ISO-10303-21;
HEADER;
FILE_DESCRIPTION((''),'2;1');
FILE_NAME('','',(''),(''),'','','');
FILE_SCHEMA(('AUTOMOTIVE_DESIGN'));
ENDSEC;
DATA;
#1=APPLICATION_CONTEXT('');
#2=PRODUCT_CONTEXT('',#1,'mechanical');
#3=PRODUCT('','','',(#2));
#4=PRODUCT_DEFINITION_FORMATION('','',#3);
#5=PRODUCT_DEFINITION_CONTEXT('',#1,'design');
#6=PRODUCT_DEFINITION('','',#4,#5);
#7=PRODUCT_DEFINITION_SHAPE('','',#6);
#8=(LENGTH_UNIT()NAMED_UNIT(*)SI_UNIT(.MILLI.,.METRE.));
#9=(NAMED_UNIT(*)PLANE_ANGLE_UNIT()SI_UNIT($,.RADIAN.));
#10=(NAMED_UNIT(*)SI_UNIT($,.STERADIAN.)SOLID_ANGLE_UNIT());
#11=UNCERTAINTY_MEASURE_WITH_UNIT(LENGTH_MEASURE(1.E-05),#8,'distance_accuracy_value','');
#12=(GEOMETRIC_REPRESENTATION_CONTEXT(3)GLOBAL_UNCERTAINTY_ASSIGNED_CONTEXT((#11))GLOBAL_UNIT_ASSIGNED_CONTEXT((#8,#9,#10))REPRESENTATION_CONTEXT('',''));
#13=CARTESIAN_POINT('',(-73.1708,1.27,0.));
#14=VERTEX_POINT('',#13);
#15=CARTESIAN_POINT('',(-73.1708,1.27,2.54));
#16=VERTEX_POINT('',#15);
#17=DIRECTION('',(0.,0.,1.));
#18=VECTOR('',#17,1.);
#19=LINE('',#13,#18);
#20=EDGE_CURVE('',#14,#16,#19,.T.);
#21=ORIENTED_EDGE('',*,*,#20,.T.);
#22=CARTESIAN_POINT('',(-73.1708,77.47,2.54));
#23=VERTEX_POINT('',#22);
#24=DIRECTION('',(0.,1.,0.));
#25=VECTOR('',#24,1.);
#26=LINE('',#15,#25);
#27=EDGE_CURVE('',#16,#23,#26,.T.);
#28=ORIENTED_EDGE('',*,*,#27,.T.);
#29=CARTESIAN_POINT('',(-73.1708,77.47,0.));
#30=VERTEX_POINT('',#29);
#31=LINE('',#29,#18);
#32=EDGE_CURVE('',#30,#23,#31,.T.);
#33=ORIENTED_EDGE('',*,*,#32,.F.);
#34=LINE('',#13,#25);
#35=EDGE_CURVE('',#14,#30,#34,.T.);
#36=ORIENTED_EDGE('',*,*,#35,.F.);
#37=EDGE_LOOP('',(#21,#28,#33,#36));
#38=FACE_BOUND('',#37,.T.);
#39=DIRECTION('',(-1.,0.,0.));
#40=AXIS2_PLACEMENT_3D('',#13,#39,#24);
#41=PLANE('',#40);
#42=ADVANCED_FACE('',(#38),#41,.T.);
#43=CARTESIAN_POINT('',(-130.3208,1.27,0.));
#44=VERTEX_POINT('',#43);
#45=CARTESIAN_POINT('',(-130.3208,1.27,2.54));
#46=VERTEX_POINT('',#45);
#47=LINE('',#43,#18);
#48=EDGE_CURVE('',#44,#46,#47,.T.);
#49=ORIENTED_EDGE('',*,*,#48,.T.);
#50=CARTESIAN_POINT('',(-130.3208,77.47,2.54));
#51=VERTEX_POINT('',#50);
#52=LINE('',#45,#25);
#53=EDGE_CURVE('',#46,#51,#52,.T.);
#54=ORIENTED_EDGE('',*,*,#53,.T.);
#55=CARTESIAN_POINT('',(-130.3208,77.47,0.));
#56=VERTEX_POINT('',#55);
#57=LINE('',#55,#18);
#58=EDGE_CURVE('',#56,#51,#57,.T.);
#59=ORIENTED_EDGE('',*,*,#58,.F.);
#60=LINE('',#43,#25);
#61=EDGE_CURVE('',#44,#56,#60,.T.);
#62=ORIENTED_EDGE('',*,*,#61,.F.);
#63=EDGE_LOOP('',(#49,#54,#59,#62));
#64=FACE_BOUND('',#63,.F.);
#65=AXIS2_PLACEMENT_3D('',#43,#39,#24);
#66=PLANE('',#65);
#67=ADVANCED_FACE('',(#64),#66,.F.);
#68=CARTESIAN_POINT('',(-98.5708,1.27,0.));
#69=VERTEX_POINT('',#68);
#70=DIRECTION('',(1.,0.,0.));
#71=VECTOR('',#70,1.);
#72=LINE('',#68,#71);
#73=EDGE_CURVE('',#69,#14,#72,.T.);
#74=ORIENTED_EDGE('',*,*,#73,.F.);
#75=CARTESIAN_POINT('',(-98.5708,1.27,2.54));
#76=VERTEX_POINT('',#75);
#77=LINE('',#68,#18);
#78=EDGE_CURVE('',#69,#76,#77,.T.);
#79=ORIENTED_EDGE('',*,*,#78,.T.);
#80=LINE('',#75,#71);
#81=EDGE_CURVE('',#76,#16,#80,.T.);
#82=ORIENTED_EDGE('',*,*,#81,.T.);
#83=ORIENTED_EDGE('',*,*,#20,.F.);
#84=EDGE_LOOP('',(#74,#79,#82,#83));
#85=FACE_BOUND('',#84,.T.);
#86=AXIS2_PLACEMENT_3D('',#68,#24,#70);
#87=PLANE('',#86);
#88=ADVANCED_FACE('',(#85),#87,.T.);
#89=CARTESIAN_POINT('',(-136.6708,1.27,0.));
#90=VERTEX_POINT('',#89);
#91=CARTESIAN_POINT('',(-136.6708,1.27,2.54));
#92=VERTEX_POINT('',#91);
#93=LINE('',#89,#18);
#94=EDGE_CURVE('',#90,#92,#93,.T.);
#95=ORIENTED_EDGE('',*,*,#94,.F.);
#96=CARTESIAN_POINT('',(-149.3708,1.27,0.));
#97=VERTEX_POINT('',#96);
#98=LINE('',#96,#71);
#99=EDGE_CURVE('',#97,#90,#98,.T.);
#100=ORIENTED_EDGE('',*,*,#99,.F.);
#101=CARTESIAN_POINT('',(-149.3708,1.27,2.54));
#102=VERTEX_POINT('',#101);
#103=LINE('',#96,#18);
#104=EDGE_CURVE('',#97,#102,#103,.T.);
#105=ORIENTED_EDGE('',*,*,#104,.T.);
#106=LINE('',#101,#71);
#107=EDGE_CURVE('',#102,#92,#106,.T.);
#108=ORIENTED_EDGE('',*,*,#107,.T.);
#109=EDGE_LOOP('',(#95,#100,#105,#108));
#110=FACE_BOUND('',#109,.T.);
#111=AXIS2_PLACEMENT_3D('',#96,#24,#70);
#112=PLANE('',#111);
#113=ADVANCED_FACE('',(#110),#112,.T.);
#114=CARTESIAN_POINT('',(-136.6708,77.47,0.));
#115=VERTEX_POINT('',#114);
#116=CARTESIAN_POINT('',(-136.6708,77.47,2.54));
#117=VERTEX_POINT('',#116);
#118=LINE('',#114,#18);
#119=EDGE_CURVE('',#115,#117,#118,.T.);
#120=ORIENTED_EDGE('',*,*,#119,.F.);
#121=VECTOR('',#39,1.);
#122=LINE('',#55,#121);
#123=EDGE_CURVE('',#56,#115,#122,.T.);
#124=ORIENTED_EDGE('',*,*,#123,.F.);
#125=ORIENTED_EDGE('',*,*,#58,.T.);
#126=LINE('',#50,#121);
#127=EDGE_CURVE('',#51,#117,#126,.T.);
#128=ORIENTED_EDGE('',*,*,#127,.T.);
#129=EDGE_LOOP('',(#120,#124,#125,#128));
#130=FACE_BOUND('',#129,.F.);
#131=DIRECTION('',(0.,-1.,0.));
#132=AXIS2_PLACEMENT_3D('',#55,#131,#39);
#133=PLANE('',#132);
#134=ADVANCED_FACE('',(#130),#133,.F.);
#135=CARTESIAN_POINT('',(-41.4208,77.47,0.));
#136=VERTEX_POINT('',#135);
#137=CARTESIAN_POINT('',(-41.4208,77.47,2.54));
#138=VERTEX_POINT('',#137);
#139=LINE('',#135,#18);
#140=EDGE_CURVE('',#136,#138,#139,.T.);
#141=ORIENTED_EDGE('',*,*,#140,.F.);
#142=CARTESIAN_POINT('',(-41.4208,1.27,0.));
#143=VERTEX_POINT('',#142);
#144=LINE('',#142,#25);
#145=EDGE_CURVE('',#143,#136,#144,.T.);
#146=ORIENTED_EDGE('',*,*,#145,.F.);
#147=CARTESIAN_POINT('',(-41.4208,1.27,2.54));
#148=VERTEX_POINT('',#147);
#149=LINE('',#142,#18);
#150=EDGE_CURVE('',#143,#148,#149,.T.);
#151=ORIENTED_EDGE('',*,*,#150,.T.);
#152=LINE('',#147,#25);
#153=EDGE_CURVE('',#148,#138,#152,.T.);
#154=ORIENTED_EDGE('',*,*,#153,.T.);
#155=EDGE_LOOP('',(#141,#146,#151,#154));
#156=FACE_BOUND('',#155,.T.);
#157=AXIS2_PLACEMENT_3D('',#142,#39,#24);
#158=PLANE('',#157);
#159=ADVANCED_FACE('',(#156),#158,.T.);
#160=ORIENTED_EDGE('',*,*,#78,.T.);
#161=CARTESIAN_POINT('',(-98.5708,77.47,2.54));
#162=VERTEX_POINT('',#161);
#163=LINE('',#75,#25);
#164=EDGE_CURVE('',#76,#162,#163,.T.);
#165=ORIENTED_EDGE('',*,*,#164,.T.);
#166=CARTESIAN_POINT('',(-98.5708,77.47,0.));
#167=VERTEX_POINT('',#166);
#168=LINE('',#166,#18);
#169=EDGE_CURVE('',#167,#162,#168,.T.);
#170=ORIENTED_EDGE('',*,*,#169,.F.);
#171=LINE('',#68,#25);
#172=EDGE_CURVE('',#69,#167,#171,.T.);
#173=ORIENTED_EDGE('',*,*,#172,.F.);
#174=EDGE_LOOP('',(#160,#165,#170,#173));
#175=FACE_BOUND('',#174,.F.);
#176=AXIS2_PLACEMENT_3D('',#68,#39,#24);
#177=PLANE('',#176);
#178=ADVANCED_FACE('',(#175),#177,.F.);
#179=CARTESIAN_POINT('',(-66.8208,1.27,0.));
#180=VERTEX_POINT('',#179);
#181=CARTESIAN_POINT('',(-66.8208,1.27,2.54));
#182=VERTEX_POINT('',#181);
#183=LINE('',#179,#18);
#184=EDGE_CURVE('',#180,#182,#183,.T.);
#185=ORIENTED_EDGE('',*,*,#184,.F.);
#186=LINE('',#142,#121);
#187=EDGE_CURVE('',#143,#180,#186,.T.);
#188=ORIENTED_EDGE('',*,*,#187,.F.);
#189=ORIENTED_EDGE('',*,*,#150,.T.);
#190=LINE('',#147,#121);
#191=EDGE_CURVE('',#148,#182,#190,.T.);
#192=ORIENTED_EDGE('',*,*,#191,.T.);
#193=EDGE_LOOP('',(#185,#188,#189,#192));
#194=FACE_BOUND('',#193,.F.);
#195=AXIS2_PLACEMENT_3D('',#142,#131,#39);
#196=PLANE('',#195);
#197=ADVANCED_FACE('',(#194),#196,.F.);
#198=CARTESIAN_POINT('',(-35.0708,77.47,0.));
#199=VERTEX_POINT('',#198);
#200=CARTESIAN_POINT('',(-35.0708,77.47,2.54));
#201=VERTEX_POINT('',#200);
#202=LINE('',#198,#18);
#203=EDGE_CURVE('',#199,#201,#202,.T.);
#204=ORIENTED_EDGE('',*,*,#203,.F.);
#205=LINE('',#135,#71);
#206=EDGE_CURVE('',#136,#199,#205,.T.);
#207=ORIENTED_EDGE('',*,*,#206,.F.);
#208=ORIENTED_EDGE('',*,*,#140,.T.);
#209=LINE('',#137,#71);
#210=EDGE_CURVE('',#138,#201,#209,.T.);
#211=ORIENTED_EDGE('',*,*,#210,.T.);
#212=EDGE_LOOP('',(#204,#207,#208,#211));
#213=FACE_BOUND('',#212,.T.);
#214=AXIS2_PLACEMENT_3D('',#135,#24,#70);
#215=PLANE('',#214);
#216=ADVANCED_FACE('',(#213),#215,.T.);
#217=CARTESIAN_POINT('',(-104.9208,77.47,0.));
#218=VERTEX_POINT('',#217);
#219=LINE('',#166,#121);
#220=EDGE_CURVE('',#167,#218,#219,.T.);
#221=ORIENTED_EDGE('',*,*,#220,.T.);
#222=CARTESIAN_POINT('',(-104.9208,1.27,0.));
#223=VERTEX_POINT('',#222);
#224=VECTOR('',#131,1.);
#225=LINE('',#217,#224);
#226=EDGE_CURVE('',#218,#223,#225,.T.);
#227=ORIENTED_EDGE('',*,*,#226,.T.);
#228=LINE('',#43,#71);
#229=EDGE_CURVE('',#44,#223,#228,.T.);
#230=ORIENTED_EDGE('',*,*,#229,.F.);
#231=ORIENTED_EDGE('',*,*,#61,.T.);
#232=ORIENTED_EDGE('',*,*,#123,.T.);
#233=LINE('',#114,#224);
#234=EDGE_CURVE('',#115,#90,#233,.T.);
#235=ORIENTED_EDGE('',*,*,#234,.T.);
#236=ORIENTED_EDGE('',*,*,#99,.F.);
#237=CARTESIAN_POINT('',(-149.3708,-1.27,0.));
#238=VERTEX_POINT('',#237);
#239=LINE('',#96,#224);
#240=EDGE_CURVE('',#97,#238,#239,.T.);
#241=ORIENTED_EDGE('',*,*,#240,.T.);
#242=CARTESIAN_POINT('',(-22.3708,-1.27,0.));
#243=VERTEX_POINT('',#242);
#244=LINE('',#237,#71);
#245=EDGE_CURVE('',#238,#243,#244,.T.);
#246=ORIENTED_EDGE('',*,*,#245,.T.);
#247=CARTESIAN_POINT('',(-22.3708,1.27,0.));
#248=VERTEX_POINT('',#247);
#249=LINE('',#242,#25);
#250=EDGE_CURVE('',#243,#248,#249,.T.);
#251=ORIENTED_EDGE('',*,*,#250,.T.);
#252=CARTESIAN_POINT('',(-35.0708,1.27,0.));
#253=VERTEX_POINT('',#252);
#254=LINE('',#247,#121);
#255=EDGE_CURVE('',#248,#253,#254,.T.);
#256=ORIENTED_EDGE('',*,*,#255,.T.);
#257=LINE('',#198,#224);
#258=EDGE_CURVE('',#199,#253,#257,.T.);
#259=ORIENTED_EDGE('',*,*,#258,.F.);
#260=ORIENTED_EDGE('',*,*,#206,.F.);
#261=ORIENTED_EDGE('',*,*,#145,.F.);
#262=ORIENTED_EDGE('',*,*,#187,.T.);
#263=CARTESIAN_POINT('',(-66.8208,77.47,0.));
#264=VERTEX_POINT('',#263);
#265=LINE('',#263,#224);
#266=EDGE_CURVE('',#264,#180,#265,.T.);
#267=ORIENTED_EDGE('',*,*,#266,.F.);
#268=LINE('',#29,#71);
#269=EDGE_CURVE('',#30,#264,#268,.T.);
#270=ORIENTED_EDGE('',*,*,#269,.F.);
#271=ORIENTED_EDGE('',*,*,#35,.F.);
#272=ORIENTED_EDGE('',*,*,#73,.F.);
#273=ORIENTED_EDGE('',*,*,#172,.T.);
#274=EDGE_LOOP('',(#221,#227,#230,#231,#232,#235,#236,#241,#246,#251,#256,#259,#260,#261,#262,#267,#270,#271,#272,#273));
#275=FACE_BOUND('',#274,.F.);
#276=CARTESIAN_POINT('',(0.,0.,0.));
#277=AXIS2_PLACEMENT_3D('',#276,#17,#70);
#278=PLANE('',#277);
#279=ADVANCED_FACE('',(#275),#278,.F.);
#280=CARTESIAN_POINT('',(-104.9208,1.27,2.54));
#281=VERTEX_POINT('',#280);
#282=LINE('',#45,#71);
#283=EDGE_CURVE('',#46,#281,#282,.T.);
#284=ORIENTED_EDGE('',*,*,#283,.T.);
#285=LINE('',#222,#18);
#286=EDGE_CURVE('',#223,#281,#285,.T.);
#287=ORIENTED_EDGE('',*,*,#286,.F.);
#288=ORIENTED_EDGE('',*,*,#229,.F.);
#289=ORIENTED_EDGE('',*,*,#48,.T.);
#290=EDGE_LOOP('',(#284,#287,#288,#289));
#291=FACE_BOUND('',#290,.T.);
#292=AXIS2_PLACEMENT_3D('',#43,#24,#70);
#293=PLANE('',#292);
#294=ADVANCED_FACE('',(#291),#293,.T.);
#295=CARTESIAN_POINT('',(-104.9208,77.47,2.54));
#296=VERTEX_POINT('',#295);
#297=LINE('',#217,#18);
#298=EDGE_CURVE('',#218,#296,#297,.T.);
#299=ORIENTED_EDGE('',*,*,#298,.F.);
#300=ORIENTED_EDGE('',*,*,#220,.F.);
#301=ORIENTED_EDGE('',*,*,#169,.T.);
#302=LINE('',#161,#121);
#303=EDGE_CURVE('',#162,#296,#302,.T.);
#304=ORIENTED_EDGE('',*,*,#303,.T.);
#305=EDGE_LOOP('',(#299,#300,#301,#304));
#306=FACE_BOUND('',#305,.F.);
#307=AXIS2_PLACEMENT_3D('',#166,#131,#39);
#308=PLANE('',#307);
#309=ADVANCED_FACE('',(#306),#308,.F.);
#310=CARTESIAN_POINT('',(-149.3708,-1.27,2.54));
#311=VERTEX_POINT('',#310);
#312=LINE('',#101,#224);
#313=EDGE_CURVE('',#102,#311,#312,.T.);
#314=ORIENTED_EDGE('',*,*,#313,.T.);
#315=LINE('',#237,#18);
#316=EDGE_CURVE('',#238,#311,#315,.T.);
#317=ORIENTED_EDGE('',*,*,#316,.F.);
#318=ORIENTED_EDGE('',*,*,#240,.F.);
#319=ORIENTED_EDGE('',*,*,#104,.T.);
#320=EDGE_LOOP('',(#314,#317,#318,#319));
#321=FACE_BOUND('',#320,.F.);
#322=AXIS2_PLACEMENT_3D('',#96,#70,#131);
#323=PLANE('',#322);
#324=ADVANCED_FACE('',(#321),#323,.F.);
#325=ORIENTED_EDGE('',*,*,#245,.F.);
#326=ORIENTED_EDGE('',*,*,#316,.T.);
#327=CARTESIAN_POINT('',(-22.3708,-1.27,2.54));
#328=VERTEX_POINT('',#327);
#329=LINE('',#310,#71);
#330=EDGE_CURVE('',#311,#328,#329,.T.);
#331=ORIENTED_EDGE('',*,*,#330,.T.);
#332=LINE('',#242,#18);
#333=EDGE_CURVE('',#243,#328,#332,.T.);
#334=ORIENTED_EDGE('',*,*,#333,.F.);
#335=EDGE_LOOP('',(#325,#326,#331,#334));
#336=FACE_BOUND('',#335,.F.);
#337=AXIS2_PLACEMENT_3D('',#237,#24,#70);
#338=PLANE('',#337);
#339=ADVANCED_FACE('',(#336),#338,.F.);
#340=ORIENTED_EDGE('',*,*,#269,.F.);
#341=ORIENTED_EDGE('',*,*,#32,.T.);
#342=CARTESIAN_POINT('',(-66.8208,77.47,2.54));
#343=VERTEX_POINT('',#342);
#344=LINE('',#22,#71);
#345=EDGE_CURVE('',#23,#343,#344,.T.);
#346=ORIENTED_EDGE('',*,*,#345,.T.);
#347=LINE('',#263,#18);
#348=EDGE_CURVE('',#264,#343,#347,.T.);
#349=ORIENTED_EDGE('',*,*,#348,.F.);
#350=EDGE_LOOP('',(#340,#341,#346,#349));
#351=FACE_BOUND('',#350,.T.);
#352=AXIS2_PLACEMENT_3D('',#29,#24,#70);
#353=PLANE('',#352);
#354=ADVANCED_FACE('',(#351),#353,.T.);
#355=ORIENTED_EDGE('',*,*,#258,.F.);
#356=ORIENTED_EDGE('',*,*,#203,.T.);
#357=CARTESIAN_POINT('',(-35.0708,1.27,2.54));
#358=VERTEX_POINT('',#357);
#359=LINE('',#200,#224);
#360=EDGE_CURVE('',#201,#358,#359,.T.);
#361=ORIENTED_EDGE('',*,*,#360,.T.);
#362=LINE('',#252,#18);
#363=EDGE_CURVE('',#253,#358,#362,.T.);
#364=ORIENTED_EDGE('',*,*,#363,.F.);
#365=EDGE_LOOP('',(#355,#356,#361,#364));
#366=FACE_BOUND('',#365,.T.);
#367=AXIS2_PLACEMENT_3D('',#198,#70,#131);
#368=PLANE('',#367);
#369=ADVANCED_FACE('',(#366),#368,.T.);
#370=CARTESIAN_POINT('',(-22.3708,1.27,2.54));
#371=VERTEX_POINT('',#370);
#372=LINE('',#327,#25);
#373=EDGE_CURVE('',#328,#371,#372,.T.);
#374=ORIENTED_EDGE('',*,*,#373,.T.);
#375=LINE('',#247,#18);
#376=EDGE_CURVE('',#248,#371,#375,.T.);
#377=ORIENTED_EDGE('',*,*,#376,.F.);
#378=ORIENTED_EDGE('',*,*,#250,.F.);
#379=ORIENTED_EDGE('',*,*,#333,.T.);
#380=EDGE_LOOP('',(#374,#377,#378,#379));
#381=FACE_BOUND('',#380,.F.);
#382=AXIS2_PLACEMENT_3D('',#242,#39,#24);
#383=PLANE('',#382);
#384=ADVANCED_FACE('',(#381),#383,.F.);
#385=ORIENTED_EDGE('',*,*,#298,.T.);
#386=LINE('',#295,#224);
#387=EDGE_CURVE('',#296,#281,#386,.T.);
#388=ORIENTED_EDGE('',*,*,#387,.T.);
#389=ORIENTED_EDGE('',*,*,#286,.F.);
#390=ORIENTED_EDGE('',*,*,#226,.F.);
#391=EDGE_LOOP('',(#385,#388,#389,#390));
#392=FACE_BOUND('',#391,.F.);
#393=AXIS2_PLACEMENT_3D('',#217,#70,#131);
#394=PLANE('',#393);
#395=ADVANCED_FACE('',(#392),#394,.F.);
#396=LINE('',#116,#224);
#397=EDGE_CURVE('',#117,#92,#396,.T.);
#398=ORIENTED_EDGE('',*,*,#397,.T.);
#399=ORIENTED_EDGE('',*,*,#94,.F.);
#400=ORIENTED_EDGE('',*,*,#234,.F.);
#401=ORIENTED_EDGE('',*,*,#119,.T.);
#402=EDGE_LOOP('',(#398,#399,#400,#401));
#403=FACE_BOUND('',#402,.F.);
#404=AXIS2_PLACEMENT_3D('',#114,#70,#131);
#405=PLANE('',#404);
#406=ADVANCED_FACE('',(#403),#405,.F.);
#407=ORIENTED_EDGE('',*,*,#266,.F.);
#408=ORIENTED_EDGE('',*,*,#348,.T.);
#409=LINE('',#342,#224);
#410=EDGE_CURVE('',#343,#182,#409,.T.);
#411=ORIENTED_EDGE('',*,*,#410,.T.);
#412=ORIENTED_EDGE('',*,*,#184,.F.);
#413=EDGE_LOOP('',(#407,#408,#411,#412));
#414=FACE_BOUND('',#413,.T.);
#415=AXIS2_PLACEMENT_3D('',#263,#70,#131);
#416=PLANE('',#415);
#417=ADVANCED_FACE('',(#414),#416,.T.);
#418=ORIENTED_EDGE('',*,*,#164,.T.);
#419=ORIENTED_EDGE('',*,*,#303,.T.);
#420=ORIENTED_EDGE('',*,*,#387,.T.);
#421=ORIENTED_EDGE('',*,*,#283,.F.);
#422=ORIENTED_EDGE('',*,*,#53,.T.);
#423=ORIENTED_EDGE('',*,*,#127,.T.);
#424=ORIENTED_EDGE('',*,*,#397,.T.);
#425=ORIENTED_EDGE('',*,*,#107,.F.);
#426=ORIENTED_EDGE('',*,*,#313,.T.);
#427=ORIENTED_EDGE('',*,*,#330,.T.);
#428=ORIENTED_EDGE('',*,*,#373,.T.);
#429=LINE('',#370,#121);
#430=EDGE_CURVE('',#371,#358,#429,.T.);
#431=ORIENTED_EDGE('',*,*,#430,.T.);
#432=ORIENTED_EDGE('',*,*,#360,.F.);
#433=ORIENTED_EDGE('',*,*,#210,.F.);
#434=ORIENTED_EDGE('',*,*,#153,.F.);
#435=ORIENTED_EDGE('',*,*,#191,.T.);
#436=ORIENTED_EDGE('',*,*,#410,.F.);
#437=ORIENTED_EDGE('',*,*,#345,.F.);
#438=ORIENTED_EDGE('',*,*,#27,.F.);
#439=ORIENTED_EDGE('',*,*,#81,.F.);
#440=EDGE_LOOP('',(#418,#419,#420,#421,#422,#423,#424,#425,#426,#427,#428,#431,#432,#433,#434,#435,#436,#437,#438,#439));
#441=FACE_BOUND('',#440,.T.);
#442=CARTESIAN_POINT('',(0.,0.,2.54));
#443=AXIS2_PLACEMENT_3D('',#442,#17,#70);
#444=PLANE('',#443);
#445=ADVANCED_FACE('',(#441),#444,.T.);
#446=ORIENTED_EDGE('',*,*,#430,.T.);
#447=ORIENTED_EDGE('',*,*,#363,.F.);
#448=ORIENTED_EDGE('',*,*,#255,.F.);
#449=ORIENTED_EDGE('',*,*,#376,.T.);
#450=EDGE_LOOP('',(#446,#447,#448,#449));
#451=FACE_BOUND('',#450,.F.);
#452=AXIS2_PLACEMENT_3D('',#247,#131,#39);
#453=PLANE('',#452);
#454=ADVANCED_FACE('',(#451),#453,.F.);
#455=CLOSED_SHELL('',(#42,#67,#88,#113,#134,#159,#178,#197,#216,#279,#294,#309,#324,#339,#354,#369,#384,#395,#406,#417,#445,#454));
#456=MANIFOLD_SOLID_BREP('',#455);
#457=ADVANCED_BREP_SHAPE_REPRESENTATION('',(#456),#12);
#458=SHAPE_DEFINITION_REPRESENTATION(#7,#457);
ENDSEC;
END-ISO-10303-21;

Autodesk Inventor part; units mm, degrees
ref_plane "YZ Plane" through (0, 0, 0) normal (1, 0, 0) x (0, 1, 0)
ref_plane "XZ Plane" through (0, 0, 0) normal (0, 1, 0) x (-1, 0, 0)
ref_plane "XY Plane" through (0, 0, 0) normal (0, 0, 1) x (1, 0, 0)
sketch "Sketch1" plane through (0, 0, 0) normal (0, 0, 1) x (1, 0, 0)
  line L0 (-149.3708, -1.27) -> (-22.3708, -1.27)
  line L1 (-22.3708, -1.27) -> (-22.3708, 1.27)
  line L2 (-149.3708, 1.27) -> (-149.3708, -1.27)
  line L3 (-149.3708, -1.27) -> (-22.3708, 1.27) construction
  line L4 (-22.3708, -1.27) -> (-149.3708, 1.27) construction
  line L5 (-149.3708, 1.27) -> (-136.6708, 1.27)
  line L6 (-22.3708, 1.27) -> (-35.0708, 1.27)
  line L7 (-130.3208, 1.27) -> (-130.3208, 77.47)
  line L8 (-130.3208, 77.47) -> (-136.6708, 77.47)
  line L9 (-136.6708, 77.47) -> (-136.6708, 1.27)
  line L10 (-130.3208, 1.27) -> (-104.9208, 1.27)
  line L11 (-98.5708, 1.27) -> (-98.5708, 77.47)
  line L12 (-98.5708, 77.47) -> (-104.9208, 77.47)
  line L13 (-104.9208, 77.47) -> (-104.9208, 1.27)
  line L14 (-41.4208, 1.27) -> (-41.4208, 77.47)
  line L15 (-41.4208, 77.47) -> (-35.0708, 77.47)
  line L16 (-35.0708, 77.47) -> (-35.0708, 1.27)
  line L17 (-41.4208, 1.27) -> (-66.8208, 1.27)
  line L18 (-73.1708, 1.27) -> (-73.1708, 77.47)
  line L19 (-73.1708, 77.47) -> (-66.8208, 77.47)
  line L20 (-66.8208, 77.47) -> (-66.8208, 1.27)
  line L21 (-98.5708, 1.27) -> (-73.1708, 1.27)
  point P0 (0, 0)
  point P1 (-85.8708, 0)
  dimension "d0" = 127
  dimension "d1" = 2.54
  dimension "d2" = 12.7
  dimension "d3" = 12.7
  dimension "d4" = 6.35
  dimension "d5" = 76.2
  dimension "d6" = 25.4
  dimension "d7" = 6.35
  dimension "d8" = 6.35
  dimension "d9" = 76.2
  dimension "d10" = 25.4
  dimension "d11" = 6.35
  dimension "d12" = 76.2
extrude "Extrusion1" add sketch "Sketch1" along normal blind 2.54
properties part number "Bucket - Rake"
